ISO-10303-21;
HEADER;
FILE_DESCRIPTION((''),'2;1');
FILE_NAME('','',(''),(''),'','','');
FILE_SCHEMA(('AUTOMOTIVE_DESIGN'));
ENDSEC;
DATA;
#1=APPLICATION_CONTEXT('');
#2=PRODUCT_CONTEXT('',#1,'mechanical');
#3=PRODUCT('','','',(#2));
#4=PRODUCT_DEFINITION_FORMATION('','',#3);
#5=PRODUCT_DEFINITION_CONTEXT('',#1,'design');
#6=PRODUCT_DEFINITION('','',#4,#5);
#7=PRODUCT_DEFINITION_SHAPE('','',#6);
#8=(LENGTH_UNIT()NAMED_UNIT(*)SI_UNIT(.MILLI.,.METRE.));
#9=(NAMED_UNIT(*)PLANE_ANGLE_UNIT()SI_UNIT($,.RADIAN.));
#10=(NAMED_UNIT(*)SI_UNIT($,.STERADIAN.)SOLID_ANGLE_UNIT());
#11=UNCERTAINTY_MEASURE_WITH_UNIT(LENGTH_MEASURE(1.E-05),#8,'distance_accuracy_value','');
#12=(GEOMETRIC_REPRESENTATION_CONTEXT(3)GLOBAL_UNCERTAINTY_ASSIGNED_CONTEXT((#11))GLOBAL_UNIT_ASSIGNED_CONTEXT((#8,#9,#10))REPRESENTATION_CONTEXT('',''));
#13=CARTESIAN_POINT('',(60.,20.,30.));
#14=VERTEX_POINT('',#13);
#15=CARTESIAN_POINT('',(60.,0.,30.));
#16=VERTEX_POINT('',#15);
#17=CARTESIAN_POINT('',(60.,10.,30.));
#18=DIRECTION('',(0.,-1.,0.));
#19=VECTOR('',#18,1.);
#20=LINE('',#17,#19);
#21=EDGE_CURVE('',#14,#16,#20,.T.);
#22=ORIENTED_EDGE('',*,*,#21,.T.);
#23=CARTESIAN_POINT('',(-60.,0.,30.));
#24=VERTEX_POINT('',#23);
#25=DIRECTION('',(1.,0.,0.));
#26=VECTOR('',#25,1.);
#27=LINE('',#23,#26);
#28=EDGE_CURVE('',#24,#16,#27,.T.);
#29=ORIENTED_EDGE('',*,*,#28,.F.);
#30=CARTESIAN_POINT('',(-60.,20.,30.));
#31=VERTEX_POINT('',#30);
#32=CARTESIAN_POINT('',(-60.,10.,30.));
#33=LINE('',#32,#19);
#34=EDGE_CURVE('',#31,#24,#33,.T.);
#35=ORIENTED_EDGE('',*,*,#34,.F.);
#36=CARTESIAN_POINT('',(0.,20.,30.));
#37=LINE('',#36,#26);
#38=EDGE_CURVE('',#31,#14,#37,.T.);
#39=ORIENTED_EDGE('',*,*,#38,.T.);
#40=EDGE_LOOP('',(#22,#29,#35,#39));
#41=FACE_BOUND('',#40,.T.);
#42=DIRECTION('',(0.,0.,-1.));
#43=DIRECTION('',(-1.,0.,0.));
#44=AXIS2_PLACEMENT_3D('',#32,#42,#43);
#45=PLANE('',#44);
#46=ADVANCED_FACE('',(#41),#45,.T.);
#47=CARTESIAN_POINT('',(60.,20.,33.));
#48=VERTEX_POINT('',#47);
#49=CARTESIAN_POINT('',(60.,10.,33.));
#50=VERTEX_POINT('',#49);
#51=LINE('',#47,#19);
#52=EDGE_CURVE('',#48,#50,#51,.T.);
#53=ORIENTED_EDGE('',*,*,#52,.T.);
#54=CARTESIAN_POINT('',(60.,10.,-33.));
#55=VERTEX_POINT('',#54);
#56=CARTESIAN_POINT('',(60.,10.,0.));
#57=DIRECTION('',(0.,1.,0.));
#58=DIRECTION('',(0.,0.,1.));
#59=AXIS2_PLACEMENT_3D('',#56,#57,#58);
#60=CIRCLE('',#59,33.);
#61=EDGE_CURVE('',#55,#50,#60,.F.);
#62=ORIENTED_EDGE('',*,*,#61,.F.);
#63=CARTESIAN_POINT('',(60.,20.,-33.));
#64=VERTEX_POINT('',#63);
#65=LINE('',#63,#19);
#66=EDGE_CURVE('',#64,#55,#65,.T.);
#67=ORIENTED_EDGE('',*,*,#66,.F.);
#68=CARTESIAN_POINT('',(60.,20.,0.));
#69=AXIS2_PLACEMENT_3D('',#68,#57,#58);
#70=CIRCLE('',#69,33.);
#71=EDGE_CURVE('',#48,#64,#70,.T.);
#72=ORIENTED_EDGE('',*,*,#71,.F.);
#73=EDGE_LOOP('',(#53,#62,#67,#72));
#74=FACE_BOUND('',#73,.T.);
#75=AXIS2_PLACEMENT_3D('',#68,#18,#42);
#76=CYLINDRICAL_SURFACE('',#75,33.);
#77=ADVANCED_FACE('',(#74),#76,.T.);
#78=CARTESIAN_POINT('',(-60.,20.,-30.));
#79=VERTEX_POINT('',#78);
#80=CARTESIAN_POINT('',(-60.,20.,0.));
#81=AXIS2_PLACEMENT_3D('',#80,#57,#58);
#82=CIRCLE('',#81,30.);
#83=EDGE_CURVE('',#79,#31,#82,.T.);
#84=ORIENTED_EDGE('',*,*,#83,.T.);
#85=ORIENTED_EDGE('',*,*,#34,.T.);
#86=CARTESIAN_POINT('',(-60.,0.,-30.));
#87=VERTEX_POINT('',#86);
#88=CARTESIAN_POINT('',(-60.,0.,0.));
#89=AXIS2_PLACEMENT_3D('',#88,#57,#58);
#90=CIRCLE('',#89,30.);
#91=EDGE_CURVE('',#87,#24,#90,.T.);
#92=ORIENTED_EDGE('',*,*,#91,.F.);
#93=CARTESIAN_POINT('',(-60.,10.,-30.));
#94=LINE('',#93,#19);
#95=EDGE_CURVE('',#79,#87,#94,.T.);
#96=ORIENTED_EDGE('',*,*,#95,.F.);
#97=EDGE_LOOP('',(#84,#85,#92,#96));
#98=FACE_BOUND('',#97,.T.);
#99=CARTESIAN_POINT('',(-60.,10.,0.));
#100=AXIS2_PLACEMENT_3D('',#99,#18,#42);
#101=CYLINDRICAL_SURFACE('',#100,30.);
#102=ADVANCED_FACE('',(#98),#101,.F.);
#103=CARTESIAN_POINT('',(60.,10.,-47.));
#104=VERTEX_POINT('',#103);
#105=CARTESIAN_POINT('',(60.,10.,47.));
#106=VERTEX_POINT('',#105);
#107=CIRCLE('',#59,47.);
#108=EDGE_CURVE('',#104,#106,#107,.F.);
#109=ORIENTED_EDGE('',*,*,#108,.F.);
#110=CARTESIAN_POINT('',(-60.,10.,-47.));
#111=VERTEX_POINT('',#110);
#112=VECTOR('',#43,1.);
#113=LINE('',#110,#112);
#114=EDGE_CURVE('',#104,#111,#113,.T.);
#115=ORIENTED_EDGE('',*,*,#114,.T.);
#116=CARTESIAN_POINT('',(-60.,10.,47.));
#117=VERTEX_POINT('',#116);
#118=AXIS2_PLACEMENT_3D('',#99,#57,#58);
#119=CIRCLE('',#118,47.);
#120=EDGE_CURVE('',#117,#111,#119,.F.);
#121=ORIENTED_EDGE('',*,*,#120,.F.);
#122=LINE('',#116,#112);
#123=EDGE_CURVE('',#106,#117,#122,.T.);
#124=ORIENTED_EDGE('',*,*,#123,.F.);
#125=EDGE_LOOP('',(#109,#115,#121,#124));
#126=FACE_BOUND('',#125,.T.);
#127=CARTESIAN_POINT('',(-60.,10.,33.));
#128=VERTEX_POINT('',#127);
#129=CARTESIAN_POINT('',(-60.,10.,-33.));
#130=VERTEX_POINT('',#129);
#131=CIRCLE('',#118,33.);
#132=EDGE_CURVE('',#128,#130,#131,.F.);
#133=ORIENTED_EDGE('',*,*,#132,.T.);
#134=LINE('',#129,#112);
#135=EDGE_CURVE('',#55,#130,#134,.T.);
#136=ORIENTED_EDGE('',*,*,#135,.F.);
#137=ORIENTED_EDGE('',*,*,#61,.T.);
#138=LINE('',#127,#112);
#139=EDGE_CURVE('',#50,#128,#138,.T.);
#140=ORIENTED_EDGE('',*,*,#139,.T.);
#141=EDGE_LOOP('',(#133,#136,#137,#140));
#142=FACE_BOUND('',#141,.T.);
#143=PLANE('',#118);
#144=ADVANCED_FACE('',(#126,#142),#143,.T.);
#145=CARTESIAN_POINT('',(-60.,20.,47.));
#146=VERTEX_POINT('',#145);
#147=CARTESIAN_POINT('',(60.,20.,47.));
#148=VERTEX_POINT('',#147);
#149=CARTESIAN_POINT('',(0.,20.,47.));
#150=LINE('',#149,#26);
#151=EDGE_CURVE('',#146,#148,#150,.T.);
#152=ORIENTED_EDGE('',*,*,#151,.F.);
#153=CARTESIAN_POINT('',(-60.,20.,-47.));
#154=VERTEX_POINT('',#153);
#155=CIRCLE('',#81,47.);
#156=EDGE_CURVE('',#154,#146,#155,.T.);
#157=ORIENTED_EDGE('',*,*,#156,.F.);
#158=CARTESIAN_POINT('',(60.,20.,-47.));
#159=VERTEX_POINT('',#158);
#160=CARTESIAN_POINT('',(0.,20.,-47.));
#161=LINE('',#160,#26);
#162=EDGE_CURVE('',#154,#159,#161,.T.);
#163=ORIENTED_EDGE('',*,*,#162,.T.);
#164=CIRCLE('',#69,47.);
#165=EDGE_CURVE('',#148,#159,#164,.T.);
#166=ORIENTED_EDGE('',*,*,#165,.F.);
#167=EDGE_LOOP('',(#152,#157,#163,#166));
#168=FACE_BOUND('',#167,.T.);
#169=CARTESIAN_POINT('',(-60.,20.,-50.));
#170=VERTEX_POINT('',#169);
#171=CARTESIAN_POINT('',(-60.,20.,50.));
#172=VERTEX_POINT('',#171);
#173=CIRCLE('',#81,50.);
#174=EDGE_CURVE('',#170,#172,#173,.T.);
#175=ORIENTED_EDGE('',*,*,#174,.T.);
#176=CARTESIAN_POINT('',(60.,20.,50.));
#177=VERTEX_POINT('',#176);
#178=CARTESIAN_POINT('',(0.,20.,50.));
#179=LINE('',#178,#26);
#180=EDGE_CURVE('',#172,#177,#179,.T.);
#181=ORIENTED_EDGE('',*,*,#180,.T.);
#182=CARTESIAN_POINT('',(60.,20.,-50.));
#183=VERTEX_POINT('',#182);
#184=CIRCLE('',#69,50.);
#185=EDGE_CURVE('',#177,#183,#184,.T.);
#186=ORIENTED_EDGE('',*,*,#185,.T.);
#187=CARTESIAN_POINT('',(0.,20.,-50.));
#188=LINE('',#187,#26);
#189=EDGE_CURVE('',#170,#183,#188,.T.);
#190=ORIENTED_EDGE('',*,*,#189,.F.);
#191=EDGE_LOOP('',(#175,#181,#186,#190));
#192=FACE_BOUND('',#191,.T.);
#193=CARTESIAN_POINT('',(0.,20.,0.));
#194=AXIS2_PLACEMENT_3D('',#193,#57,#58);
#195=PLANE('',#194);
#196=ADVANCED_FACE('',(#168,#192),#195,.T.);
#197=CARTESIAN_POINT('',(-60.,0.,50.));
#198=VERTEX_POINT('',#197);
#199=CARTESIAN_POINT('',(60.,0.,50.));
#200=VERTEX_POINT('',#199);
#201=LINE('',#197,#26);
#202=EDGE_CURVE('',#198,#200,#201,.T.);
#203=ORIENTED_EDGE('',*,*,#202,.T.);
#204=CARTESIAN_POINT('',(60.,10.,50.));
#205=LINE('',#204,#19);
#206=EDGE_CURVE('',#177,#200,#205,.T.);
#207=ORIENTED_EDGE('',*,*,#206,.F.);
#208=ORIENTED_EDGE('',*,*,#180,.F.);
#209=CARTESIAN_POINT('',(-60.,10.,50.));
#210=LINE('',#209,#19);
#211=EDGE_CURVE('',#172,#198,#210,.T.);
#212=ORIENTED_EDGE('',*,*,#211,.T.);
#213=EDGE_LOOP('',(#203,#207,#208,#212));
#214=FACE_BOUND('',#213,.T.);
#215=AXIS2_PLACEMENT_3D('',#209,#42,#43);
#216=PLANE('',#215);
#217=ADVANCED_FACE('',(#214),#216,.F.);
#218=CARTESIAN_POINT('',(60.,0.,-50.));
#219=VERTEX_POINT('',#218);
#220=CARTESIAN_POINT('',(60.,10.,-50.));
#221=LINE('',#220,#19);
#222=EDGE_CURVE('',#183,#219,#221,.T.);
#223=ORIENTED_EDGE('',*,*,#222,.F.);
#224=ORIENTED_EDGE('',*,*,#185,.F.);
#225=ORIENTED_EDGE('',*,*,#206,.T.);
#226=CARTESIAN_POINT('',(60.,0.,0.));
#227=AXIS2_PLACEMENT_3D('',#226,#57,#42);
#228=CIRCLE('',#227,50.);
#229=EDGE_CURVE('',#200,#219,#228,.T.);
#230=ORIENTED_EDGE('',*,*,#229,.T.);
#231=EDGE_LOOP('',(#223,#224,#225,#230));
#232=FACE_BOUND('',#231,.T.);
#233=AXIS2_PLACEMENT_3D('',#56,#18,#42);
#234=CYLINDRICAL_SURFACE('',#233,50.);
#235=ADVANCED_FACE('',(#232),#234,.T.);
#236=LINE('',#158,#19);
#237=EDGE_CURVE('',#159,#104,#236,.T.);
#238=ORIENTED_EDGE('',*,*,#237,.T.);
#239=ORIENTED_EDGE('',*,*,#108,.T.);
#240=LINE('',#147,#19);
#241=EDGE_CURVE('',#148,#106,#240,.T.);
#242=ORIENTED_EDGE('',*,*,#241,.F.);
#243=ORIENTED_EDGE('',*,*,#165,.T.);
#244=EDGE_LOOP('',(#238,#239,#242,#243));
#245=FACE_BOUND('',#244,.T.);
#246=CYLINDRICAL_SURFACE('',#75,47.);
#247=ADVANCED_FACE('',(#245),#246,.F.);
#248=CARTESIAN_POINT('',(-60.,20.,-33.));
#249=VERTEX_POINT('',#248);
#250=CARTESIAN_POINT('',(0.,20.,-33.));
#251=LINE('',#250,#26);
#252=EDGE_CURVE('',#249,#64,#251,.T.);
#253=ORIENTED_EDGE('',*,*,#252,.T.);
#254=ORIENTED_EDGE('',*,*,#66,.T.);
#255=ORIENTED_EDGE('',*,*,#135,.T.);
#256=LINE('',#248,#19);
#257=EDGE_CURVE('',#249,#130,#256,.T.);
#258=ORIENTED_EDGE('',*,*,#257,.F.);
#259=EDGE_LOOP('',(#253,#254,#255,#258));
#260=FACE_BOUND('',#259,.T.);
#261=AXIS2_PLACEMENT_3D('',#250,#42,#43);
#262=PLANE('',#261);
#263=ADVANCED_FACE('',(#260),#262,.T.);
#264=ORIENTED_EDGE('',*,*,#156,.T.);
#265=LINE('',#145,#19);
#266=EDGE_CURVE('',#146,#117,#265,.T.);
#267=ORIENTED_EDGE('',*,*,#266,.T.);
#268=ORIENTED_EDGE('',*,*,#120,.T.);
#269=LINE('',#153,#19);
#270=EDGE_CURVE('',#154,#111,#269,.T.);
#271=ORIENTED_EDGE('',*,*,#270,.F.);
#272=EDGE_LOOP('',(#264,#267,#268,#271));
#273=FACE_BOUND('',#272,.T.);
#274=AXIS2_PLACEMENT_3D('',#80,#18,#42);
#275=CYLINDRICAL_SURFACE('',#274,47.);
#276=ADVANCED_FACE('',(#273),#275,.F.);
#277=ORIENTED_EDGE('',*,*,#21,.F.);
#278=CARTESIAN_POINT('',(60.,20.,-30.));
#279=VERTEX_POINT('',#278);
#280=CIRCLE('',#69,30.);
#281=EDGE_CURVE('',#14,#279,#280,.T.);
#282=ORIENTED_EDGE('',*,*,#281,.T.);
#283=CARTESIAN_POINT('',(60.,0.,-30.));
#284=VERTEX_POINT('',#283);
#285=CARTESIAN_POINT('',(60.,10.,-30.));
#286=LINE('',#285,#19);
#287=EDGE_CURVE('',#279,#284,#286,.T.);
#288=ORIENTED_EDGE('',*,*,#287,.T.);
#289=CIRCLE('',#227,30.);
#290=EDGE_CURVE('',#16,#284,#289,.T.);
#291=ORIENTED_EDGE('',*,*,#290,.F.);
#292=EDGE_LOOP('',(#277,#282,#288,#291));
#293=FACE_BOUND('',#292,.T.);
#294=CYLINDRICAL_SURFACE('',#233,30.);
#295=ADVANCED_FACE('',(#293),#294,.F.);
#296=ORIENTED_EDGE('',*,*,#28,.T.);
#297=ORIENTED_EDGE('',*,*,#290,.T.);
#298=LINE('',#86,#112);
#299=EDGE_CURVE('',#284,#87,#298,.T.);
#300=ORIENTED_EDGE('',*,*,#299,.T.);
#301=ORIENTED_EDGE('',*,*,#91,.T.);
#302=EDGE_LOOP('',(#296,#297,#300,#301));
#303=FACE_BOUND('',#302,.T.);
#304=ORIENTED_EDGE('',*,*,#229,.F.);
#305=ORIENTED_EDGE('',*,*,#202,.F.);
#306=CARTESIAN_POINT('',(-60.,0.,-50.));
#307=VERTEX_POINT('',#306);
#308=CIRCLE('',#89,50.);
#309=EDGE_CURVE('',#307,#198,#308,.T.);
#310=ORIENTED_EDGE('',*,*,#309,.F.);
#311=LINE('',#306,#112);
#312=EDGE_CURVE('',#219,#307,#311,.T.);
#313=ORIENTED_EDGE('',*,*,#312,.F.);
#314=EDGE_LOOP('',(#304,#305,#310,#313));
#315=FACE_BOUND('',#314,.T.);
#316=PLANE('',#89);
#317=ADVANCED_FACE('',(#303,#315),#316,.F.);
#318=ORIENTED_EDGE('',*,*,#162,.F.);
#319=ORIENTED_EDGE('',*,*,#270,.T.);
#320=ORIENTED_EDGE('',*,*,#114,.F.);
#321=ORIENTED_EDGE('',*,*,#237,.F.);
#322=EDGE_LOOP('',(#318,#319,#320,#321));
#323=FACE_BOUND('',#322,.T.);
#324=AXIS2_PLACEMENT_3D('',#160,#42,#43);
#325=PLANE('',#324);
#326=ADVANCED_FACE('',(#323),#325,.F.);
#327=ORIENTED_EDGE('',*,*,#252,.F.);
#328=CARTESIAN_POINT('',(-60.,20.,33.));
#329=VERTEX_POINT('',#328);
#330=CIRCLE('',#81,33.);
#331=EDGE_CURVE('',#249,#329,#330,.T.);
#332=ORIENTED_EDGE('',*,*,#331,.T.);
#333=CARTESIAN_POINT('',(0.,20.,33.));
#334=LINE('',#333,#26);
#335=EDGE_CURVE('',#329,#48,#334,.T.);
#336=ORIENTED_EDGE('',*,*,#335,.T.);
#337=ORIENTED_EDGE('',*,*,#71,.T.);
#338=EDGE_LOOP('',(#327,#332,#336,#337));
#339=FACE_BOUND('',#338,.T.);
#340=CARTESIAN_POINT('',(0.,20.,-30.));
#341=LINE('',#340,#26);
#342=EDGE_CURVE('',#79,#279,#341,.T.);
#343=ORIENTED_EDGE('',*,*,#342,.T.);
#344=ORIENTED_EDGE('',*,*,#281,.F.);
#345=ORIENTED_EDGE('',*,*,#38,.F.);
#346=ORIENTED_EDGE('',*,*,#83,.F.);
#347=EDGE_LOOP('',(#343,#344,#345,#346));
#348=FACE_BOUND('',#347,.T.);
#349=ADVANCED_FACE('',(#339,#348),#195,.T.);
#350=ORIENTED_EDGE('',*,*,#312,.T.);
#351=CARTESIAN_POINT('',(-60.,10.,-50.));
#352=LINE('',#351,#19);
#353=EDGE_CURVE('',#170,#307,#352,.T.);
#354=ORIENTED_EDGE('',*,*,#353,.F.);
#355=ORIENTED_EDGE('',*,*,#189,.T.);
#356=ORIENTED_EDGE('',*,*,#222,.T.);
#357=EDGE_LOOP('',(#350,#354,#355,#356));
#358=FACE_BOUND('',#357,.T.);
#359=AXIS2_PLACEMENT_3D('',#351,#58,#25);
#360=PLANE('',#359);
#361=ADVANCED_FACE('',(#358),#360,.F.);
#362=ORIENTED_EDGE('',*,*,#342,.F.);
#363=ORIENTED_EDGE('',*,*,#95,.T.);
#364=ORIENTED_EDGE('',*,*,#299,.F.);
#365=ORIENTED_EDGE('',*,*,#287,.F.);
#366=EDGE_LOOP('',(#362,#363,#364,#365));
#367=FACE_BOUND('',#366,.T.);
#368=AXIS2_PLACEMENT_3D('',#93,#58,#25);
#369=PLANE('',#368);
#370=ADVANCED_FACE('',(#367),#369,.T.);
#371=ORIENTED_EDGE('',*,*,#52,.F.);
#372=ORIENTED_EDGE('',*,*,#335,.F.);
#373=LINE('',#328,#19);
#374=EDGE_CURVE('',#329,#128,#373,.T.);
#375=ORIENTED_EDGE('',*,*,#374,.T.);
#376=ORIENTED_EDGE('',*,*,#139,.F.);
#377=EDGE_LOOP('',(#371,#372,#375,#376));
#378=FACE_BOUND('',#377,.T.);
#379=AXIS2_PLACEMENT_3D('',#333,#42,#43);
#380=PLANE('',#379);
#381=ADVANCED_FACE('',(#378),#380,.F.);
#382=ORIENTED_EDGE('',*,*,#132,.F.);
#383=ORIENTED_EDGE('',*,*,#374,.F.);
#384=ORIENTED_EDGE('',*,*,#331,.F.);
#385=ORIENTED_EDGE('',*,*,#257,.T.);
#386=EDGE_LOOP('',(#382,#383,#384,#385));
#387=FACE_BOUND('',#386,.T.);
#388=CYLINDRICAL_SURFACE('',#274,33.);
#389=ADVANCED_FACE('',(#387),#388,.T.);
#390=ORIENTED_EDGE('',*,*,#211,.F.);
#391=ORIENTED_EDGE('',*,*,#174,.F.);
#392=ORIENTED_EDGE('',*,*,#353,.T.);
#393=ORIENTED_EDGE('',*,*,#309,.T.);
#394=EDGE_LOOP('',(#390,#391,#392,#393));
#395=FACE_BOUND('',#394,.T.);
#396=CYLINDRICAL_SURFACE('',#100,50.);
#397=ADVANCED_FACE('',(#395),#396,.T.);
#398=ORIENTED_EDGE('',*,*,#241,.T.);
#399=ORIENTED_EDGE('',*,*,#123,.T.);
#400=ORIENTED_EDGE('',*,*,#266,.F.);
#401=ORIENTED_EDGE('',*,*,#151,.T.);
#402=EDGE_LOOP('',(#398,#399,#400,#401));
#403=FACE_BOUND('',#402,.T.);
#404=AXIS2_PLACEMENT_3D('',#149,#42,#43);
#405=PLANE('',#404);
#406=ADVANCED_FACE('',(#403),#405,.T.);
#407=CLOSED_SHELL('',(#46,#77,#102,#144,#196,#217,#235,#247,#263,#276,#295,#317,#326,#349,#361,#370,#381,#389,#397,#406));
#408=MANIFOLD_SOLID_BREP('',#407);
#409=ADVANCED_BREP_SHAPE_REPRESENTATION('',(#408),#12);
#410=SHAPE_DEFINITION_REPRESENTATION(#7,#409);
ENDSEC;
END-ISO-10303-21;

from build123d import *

# Parameters (mm, degrees)
EXTRUDE_3_DEPTH = 10
EXTRUDE_4_DEPTH = 20


with BuildPart() as part:
    # 草圖1 → 填料-伸長3 (new body)
    with BuildSketch(Plane(origin=(0, 0, 0), x_dir=(1, 0, 0), z_dir=(0, 1, 0))):
        with BuildLine():
            Line((-60, 50), (60, 50))
            ThreePointArc((60, 50), (110, 0), (60, -50))
            Line((60, -50), (-60, -50))
            ThreePointArc((-60, -50), (-110, 0), (-60, 50))
        make_face()
        with BuildLine():
            Line((-60, -30), (60, -30))
            ThreePointArc((60, -30), (90, 0), (60, 30))
            Line((60, 30), (-60, 30))
            ThreePointArc((-60, 30), (-90, 0), (-60, -30))
        make_face(mode=Mode.SUBTRACT)
    extrude(amount=EXTRUDE_3_DEPTH)

    # 草圖4 → 填料-伸長4 (add)
    # profile 1 of 2: a face of its own
    with BuildSketch(Plane(origin=(0, 0, 0), x_dir=(1, 0, 0), z_dir=(0, 1, 0))):
        with BuildLine():
            Line((-60, 50), (60, 50))
            ThreePointArc((60, 50), (110, 0), (60, -50))
            Line((60, -50), (-60, -50))
            ThreePointArc((-60, -50), (-110, 0), (-60, 50))
        make_face()
        with BuildLine():
            ThreePointArc((60, -47), (107, 0), (60, 47))
            Line((60, 47), (-60, 47))
            ThreePointArc((-60, 47), (-107, 0), (-60, -47))
            Line((-60, -47), (60, -47))
        make_face(mode=Mode.SUBTRACT)
    # profile 2 of 2: a face of its own
    with BuildSketch(Plane(origin=(0, 0, 0), x_dir=(1, 0, 0), z_dir=(0, 1, 0))):
        with BuildLine():
            Line((-60, 33), (60, 33))
            ThreePointArc((60, 33), (93, 0), (60, -33))
            Line((60, -33), (-60, -33))
            ThreePointArc((-60, -33), (-93, 0), (-60, 33))
        make_face()
        with BuildLine():
            ThreePointArc((-60, 30), (-90, 0), (-60, -30))
            Line((-60, -30), (60, -30))
            ThreePointArc((60, -30), (90, 0), (60, 30))
            Line((60, 30), (-60, 30))
        make_face(mode=Mode.SUBTRACT)
    extrude(amount=EXTRUDE_4_DEPTH)


solid = part.part
